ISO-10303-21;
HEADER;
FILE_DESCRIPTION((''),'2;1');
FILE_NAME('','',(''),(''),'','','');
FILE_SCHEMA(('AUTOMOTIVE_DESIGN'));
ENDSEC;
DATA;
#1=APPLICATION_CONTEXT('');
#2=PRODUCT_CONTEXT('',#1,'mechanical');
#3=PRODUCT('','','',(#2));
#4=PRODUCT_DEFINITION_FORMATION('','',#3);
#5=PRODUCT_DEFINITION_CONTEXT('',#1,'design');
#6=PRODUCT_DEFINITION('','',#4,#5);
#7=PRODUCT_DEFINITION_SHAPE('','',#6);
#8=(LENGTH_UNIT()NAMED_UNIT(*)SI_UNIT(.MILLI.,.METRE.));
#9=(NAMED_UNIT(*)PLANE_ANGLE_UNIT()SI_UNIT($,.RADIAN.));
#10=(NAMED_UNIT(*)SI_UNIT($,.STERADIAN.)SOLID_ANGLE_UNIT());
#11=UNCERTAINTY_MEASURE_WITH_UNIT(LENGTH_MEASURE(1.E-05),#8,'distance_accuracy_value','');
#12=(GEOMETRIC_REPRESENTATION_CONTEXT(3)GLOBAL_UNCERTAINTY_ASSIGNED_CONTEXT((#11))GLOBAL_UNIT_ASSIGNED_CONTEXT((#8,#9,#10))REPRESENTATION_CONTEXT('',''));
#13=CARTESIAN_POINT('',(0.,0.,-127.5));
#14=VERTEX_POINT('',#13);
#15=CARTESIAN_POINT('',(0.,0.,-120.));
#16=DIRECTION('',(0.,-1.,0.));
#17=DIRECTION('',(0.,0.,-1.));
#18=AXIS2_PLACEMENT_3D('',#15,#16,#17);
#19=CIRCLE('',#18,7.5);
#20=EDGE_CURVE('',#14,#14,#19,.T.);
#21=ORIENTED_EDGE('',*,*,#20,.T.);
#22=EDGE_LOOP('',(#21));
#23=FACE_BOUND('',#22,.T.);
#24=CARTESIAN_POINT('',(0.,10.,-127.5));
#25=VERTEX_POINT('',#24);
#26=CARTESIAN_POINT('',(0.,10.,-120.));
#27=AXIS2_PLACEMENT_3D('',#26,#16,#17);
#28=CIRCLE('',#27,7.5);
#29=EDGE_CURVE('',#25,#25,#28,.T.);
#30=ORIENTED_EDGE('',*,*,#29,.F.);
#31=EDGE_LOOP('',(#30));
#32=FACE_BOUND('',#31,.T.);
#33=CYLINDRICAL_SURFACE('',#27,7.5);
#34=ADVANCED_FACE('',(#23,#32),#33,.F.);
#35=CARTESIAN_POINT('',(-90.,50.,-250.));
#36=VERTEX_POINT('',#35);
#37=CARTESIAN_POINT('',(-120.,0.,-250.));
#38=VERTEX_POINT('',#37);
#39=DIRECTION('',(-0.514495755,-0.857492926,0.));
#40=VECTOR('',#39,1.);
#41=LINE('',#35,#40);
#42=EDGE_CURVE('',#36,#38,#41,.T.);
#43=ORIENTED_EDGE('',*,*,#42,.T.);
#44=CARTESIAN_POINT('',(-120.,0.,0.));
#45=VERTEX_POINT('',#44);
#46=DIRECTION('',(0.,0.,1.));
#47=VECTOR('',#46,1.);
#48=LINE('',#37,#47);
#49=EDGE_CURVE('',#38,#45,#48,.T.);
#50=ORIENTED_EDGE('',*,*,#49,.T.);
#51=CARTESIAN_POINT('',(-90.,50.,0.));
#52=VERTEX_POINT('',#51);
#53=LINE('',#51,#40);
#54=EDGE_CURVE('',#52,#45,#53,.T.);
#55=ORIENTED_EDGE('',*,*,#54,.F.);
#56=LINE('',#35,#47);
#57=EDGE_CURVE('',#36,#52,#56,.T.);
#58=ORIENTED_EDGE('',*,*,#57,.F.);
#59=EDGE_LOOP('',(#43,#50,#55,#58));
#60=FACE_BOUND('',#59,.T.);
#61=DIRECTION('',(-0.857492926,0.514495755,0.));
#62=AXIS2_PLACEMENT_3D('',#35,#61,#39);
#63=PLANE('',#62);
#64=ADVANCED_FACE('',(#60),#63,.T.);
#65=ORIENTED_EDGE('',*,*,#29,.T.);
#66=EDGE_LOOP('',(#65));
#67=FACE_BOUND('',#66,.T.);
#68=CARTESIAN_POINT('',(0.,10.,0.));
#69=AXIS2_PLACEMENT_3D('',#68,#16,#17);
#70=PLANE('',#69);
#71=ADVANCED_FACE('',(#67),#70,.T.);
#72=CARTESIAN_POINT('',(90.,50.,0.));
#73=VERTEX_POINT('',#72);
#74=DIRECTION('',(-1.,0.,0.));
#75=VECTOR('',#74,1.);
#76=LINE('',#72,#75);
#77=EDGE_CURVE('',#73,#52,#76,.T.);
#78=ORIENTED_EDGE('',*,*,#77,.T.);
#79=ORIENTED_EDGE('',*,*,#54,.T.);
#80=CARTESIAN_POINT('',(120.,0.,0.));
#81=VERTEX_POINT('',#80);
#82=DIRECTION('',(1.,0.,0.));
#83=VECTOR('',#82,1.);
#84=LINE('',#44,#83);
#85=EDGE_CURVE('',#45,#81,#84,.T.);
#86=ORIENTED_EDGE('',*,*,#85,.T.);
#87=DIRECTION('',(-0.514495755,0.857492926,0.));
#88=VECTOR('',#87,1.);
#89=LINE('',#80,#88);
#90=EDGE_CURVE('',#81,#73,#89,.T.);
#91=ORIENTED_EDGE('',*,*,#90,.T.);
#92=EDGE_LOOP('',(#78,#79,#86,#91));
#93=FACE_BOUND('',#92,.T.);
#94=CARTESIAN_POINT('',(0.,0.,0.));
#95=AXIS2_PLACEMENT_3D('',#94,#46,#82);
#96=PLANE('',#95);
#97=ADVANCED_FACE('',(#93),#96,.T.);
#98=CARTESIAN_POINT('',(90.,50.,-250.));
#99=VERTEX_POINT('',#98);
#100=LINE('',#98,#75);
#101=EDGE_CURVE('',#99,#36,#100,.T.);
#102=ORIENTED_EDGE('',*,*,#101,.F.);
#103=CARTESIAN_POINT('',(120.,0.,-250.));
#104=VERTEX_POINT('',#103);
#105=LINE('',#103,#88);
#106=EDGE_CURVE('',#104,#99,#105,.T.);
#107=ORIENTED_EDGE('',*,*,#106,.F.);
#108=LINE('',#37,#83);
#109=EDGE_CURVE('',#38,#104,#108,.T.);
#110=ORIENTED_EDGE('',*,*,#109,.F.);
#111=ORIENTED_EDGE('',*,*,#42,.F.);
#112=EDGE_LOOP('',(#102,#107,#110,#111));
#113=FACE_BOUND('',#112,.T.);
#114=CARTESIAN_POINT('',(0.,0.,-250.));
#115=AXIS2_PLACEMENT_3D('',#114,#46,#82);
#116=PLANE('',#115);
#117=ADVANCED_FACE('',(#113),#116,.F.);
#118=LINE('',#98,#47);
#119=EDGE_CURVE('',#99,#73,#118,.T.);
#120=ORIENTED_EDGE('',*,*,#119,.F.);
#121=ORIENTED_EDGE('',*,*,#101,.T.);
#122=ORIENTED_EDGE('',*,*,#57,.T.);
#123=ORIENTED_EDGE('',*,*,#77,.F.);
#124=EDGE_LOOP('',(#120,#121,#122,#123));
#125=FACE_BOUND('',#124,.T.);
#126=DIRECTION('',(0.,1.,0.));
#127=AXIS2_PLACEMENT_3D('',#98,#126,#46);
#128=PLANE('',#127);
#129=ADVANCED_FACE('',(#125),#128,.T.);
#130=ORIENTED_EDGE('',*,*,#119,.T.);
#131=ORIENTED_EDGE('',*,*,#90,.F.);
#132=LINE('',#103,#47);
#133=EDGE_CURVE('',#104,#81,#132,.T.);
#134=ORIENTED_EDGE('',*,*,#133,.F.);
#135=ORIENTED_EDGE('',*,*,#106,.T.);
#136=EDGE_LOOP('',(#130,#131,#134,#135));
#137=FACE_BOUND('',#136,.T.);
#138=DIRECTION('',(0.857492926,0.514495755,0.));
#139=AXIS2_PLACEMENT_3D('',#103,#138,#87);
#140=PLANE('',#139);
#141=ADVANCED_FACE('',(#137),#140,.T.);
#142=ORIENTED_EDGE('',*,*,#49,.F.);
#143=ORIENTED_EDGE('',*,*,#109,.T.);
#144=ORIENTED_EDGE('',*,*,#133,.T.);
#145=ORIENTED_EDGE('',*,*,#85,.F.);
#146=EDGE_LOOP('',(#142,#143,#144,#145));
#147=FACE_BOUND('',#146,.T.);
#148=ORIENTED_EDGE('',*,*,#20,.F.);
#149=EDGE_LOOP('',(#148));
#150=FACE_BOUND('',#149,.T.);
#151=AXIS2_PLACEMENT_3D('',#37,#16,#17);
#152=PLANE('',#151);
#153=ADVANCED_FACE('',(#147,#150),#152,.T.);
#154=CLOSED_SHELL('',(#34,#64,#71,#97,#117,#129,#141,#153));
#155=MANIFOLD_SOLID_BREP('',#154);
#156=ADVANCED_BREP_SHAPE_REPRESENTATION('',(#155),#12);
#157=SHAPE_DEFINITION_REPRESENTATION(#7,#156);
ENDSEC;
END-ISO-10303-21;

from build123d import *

# Parameters (mm, degrees)
BOSS_EXTRUDE1_DEPTH = 250
SKETCH2_R           = 7.5
CUT_EXTRUDE1_DEPTH  = 10


with BuildPart() as part:
    # Sketch1 → Boss-Extrude1 (new body)
    with BuildSketch(Plane.XY):
        Polygon((-120, 0), (120, 0), (90, 50), (-90, 50), align=None)
    extrude(amount=-BOSS_EXTRUDE1_DEPTH)

    # Sketch2 → Cut-Extrude1 (cut)
    with BuildSketch(Plane.XZ):
        with Locations(Location((0, -120, 0), (0, 0, 270))):
            Circle(SKETCH2_R)
    extrude(amount=-CUT_EXTRUDE1_DEPTH, mode=Mode.SUBTRACT)


solid = part.part
